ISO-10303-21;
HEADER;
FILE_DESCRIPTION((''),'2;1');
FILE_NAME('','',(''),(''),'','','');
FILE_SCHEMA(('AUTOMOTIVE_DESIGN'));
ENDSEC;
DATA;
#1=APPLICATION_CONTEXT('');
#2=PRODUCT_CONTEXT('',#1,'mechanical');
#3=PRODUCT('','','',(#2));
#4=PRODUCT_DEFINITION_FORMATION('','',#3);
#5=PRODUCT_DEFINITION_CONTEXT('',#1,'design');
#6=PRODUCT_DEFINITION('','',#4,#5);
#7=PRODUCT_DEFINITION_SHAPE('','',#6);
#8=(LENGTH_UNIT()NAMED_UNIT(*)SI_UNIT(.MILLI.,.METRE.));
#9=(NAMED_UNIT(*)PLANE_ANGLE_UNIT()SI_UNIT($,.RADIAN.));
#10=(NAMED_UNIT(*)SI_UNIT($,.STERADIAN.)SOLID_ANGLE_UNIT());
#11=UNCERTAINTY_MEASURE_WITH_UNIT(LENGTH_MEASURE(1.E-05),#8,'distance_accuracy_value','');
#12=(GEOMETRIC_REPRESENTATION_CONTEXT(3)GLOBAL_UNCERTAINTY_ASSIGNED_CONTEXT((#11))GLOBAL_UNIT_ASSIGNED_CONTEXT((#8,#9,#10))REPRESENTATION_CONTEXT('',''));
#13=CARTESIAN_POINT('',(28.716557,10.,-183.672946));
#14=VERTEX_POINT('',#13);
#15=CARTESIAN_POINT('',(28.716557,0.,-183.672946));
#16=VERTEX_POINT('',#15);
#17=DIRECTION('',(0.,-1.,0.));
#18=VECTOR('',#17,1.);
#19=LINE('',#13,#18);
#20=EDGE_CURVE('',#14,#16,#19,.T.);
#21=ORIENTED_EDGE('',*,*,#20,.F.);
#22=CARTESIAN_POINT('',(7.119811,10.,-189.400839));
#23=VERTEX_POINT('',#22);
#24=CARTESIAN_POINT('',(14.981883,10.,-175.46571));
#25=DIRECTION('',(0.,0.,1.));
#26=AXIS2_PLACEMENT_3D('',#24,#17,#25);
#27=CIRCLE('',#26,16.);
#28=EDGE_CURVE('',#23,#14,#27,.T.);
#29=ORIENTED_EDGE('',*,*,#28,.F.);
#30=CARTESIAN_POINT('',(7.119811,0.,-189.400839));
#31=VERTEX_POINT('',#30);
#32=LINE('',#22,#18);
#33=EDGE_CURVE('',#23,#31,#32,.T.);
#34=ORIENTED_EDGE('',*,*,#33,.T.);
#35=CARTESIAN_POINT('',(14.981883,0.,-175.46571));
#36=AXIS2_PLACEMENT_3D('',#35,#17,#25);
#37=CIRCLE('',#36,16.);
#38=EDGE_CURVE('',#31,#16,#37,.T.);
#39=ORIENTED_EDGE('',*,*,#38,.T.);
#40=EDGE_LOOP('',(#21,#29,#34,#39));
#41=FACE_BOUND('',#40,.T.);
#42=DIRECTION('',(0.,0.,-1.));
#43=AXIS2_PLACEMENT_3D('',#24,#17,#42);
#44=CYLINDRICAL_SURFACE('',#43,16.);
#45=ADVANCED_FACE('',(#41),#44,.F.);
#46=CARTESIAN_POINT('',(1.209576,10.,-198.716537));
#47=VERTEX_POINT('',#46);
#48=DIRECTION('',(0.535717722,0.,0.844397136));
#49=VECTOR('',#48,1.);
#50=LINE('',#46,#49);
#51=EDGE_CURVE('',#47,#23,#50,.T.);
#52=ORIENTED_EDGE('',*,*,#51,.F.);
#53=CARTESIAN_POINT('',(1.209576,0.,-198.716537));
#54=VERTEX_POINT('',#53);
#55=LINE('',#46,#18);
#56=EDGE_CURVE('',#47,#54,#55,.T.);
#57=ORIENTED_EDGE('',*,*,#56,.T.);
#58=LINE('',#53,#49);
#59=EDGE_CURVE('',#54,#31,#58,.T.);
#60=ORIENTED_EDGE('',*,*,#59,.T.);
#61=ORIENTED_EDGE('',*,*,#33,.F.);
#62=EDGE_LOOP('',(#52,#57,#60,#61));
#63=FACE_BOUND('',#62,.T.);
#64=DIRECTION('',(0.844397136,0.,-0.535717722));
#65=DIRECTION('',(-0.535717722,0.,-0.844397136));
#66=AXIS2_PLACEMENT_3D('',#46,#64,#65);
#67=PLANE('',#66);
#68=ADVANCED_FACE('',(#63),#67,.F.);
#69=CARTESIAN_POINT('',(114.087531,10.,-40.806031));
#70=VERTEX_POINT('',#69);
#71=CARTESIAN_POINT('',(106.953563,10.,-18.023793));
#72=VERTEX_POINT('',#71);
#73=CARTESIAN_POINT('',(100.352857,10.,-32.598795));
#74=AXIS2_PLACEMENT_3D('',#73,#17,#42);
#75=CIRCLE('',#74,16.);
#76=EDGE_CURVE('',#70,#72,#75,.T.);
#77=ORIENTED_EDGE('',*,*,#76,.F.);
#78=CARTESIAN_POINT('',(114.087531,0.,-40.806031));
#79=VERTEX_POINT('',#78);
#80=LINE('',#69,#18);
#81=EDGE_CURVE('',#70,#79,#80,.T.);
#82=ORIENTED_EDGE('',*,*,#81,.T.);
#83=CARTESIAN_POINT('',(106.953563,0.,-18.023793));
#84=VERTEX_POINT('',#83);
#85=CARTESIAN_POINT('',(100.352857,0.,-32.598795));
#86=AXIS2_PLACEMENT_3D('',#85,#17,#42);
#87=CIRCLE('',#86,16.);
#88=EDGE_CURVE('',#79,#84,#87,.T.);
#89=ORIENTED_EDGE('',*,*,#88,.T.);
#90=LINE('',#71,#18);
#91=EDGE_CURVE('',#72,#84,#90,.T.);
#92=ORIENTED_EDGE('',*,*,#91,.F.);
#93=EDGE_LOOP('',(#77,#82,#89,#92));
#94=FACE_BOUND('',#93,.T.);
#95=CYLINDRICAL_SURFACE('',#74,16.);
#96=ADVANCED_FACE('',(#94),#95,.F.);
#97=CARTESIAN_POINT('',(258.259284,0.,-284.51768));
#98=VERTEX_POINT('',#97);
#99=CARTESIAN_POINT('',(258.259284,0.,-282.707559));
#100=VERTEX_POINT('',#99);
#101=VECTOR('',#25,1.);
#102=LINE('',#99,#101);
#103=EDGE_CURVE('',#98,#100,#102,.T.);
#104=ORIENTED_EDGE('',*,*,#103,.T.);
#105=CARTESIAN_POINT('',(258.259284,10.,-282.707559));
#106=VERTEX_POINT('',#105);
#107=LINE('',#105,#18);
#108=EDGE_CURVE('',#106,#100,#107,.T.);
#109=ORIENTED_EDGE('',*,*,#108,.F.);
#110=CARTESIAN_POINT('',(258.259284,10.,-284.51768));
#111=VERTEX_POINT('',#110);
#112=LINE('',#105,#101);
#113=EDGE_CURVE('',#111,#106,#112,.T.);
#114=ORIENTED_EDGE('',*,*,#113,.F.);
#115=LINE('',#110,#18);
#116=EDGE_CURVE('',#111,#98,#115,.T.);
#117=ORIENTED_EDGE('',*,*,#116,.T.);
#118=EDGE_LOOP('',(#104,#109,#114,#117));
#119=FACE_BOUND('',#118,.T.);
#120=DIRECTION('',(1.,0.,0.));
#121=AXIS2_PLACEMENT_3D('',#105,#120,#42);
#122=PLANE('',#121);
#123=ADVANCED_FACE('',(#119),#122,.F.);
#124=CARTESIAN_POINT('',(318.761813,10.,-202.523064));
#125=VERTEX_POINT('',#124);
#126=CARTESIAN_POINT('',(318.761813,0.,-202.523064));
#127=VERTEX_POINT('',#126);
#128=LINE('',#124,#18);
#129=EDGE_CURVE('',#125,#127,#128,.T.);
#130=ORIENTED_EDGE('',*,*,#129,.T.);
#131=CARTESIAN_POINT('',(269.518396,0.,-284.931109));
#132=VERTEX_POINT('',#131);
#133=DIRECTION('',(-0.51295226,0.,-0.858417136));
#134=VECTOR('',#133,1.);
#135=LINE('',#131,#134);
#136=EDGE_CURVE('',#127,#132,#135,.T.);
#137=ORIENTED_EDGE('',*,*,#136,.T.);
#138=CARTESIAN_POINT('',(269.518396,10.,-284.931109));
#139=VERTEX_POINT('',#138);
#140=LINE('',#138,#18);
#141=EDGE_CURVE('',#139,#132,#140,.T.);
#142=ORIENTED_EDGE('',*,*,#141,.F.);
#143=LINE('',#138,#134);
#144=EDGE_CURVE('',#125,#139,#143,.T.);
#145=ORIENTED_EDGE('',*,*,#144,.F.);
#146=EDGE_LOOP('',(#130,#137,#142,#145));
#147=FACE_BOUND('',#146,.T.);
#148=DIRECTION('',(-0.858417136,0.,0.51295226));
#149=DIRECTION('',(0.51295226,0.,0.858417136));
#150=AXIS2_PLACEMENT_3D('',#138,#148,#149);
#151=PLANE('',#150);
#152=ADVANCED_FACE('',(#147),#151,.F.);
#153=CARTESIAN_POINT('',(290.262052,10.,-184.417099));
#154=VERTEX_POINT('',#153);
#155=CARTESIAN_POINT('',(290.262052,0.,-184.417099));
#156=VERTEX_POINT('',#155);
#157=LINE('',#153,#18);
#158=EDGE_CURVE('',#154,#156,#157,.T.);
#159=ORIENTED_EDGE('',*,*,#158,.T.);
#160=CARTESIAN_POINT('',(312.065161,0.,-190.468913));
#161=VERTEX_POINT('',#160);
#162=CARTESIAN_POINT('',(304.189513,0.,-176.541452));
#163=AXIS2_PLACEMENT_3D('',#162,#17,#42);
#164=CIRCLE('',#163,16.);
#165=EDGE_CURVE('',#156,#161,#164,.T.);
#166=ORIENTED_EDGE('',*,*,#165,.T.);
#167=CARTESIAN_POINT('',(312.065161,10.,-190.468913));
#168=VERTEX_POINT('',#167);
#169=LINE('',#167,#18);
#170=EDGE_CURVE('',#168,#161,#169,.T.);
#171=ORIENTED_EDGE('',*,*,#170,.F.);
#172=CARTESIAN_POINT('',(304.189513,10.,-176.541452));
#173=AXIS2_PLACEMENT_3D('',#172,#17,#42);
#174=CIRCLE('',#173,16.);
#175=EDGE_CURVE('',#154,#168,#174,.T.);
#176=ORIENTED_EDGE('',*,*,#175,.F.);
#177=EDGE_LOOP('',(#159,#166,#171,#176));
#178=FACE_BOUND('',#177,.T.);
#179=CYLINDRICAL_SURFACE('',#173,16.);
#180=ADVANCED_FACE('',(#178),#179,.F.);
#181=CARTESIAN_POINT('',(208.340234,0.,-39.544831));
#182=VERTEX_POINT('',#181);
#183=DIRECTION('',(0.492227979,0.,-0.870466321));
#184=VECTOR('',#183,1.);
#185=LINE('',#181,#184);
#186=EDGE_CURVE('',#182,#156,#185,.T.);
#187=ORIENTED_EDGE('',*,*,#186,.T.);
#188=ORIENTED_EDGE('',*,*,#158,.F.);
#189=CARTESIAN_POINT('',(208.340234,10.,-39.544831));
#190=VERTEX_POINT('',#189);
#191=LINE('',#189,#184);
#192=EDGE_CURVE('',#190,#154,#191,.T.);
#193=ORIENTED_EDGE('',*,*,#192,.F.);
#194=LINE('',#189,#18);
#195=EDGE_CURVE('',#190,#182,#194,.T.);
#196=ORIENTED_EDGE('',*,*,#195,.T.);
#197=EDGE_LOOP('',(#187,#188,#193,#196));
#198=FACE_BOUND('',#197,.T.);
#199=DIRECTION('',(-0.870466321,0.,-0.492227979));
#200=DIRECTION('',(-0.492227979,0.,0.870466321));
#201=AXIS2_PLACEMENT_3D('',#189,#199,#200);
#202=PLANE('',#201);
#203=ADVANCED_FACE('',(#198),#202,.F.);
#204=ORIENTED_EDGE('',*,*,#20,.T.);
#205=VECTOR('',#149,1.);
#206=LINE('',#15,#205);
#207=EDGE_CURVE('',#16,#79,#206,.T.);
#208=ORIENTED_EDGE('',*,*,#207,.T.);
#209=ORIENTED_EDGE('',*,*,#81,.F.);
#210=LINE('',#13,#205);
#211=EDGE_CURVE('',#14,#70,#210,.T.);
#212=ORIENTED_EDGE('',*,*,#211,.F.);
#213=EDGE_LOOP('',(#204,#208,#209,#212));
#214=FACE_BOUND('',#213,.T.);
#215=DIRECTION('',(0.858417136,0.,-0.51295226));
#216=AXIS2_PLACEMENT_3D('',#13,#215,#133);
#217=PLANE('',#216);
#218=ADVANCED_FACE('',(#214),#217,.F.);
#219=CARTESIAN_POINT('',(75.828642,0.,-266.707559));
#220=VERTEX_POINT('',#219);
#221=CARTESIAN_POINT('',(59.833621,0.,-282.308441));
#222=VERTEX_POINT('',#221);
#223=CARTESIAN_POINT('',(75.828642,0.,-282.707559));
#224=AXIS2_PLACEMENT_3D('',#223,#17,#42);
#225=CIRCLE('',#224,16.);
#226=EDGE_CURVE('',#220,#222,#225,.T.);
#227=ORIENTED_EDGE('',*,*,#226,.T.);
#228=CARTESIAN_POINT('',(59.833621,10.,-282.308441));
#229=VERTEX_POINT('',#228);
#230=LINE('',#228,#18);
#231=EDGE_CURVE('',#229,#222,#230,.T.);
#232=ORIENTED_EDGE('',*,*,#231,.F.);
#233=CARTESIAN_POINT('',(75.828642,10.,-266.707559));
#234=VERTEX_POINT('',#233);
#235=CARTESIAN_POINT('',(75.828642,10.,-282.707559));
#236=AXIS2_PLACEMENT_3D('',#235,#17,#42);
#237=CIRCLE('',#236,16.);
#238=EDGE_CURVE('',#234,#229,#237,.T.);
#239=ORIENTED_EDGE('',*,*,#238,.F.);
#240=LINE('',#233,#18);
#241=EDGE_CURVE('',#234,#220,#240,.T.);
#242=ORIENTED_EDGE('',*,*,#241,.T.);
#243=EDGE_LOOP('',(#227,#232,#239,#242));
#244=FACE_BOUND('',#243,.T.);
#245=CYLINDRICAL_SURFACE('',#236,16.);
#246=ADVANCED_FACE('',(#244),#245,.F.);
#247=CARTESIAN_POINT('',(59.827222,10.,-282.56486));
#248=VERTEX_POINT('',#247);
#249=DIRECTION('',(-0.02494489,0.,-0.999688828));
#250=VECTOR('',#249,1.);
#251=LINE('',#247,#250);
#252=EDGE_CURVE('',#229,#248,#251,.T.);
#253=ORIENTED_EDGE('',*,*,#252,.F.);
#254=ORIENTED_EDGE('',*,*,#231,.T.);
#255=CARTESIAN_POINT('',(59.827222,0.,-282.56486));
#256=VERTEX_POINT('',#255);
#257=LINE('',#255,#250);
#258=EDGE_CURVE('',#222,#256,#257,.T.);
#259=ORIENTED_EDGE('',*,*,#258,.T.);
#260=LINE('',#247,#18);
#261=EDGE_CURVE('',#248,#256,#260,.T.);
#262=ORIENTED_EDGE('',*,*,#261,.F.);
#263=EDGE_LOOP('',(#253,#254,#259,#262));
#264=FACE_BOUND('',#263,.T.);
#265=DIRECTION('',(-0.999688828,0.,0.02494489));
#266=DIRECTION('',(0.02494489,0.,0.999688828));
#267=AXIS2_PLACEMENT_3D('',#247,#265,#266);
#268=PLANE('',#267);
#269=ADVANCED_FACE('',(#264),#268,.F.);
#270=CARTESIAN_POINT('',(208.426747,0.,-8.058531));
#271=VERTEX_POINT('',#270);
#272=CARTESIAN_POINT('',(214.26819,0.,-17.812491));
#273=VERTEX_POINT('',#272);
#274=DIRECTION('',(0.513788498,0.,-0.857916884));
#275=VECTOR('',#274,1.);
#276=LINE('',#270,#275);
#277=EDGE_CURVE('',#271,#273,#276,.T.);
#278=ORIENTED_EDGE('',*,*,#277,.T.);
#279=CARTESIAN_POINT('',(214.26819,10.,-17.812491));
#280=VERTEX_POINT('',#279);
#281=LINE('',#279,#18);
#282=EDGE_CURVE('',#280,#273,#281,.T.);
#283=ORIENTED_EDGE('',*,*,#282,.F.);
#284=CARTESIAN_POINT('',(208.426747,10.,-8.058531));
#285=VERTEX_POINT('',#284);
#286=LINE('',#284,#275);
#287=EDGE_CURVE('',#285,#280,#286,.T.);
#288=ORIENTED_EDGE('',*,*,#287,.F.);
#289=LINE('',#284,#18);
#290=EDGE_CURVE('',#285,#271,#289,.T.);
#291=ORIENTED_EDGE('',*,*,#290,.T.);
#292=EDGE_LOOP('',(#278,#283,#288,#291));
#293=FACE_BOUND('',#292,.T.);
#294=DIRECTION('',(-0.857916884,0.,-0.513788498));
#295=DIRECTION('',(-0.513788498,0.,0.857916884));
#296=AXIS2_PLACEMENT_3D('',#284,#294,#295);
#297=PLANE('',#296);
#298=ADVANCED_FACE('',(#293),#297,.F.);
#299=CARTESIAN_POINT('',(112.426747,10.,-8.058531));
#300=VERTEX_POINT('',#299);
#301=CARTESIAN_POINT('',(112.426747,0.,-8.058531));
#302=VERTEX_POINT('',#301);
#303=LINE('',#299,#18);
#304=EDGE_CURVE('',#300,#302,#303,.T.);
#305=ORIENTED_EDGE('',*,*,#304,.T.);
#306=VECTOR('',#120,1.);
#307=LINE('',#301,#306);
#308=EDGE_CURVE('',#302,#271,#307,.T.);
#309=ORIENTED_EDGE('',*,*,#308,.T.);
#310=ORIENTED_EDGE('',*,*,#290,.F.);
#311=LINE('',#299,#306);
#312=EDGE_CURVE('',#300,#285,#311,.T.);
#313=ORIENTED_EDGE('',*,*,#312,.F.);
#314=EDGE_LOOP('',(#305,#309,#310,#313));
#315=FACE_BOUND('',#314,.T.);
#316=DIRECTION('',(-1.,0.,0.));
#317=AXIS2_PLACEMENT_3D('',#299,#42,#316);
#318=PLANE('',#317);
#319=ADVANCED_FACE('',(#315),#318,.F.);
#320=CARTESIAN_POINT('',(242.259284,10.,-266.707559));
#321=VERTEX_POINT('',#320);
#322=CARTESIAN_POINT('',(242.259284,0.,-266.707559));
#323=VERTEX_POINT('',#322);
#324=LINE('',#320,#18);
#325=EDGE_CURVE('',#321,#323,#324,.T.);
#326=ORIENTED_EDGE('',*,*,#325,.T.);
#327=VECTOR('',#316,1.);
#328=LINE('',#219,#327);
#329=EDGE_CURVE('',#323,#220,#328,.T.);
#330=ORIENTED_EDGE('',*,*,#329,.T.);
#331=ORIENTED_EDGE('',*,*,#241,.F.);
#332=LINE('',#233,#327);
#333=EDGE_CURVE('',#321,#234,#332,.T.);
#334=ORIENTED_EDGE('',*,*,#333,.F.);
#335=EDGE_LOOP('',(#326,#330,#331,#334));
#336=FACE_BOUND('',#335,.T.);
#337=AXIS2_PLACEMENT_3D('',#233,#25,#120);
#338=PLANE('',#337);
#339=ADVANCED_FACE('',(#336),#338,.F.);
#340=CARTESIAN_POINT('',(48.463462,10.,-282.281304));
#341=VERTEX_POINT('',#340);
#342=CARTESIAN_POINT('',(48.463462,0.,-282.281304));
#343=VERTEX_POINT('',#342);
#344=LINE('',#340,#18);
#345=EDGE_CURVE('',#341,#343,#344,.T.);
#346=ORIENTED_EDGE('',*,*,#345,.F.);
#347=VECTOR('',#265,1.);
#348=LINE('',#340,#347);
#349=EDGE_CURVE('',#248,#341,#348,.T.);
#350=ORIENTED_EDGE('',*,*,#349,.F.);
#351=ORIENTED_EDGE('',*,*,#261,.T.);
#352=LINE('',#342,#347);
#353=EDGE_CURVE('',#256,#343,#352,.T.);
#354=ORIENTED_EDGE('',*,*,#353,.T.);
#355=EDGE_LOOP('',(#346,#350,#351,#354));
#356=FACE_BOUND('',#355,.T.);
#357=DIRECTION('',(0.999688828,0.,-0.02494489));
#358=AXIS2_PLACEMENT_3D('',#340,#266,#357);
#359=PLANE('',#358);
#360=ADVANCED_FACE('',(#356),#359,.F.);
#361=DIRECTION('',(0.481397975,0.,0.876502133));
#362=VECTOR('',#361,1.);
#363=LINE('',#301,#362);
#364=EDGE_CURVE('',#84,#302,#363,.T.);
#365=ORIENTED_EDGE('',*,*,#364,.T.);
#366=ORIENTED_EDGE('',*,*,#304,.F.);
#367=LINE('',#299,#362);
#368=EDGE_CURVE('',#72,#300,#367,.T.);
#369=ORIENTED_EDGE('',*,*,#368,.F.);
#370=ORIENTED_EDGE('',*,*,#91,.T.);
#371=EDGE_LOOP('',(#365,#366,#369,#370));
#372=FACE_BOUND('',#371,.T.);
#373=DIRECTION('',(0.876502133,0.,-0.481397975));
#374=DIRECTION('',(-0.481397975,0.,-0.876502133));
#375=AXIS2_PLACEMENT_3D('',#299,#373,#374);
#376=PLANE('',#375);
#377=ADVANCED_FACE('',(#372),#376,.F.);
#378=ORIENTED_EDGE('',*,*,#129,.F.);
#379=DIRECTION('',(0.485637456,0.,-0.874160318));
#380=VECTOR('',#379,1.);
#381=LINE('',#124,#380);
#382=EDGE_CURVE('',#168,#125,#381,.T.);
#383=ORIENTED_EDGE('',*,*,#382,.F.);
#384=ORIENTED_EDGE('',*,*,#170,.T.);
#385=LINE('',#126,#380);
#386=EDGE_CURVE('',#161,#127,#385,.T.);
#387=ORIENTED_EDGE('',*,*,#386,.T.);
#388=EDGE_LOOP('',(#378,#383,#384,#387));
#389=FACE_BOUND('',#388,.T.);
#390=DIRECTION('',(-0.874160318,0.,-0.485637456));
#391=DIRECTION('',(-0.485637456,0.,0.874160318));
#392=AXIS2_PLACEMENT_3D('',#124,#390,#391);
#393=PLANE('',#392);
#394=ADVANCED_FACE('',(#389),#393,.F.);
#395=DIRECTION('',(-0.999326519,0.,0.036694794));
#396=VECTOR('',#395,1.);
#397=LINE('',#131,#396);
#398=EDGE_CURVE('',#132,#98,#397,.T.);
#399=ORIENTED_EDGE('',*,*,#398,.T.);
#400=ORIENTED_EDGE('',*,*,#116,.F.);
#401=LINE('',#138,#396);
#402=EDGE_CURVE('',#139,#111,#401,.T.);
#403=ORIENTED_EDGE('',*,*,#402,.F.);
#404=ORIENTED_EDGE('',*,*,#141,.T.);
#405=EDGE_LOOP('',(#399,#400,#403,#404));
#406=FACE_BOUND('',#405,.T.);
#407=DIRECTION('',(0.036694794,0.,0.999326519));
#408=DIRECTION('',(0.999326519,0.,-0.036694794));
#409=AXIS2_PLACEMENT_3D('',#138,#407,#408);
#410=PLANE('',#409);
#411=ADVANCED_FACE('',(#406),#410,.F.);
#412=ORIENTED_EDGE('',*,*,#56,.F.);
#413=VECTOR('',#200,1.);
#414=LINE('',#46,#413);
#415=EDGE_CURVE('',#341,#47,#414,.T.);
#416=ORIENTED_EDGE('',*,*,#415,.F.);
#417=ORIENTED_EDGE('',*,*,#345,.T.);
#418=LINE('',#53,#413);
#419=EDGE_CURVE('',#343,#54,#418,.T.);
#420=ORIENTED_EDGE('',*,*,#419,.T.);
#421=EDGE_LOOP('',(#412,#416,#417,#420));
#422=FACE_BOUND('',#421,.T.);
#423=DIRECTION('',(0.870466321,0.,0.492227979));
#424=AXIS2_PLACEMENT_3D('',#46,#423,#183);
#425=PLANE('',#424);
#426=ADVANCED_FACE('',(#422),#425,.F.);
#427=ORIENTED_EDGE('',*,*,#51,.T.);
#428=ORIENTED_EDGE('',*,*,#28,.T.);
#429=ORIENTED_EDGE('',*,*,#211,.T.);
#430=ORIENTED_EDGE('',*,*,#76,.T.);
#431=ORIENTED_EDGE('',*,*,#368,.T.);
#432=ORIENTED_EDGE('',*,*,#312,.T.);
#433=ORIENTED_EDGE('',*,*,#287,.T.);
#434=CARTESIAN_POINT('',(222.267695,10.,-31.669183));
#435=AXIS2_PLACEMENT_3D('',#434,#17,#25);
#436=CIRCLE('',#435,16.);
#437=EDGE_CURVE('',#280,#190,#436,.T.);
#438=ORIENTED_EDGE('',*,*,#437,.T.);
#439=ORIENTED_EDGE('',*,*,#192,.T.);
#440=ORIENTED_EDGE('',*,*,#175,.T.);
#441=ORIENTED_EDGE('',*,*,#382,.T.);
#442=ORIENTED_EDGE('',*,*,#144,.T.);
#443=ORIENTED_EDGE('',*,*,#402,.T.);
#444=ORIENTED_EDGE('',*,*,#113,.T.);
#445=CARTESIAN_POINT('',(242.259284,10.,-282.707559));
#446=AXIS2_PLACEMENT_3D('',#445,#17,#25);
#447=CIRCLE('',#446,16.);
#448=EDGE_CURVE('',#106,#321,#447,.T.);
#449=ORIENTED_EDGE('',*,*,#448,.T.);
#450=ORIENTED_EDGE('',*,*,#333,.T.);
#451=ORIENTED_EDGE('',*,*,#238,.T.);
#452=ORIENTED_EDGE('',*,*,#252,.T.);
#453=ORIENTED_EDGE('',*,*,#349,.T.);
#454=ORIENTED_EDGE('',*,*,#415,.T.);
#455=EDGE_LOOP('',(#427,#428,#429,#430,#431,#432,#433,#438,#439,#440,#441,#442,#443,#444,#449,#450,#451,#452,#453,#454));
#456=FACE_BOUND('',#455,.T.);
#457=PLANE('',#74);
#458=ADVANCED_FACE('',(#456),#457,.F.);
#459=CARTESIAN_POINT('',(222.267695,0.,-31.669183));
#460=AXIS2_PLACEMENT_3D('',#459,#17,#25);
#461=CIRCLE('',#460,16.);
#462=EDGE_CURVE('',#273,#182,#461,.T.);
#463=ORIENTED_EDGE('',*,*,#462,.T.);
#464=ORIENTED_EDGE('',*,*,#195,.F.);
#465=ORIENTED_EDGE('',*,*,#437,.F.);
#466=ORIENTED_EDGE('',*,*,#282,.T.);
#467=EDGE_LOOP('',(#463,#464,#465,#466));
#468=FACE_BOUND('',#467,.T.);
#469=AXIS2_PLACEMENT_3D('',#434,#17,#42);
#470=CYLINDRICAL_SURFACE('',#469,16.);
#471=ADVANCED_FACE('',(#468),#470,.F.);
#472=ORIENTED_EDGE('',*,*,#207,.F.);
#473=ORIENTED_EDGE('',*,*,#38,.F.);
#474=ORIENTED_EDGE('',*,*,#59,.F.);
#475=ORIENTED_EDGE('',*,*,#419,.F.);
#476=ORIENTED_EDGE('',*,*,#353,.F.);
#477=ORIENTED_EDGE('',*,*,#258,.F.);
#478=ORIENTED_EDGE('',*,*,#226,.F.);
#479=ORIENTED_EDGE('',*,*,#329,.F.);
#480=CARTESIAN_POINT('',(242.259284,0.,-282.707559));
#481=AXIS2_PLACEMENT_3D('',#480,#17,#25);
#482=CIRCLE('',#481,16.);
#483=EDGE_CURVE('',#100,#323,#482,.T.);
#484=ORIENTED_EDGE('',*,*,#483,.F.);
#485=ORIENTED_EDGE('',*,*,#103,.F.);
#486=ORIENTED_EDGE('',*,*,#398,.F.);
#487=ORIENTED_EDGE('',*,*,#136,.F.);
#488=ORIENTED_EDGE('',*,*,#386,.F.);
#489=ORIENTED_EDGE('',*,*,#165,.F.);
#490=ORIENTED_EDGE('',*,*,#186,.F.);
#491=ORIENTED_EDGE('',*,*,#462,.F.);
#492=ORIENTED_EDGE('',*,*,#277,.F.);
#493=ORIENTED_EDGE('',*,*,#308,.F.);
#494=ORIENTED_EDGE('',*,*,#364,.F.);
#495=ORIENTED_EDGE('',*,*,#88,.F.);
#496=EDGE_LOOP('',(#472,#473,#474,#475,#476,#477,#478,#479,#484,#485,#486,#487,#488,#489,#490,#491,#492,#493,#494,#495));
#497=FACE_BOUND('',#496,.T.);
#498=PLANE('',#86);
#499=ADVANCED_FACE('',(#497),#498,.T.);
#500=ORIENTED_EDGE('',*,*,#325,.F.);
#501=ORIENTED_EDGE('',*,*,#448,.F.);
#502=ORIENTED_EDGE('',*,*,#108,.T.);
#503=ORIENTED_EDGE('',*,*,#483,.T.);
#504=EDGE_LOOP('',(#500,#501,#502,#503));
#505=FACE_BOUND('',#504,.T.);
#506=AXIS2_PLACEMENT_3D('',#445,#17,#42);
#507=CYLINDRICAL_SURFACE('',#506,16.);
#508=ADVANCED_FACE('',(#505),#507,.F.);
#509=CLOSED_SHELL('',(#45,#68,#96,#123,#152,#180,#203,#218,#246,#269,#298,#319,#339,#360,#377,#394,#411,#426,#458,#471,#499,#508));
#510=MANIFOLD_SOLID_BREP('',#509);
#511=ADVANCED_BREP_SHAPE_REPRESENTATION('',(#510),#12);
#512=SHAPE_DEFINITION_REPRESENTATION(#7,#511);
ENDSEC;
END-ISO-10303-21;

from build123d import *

# Parameters (mm, degrees)
BOSS_EXTRU_1_DEPTH = 10


with BuildPart() as part:
    # Esquisse1 → Boss.-Extru.1 (new body)
    with BuildSketch(Plane(origin=(0, 0, 0), x_dir=(1, 0, 0), z_dir=(0, 1, 0))):
        with BuildLine():
            Line((112.426746773, 8.058530984), (208.426746773, 8.058530984))
            Line((208.426746773, 8.058530984), (214.268189678, 17.812491045))
            ThreePointArc((214.268189678, 17.812491045), (206.831645665, 27.458673867), (208.340233589, 39.544830921))
            Line((208.340233589, 39.544830921), (290.262052013, 184.417099293))
            ThreePointArc((290.262052013, 184.417099293), (299.910234809, 191.958577714), (312.065160821, 190.468912764))
            Line((312.065160821, 190.468912764), (318.76181291, 202.523064381))
            Line((318.76181291, 202.523064381), (269.51839591, 284.931109389))
            Line((269.51839591, 284.931109389), (258.259283583, 284.517680144))
            Line((258.259283583, 284.517680144), (258.259283583, 282.707559459))
            ThreePointArc((258.259283583, 282.707559459), (253.572992082, 271.39385096), (242.259283583, 266.707559459))
            Line((242.259283583, 266.707559459), (75.828641942, 266.707559459))
            ThreePointArc((75.828641942, 266.707559459), (64.656934191, 271.253610536), (59.833620697, 282.308441218))
            Line((59.833620697, 282.308441218), (59.827222367, 282.56486004))
            Line((59.827222367, 282.56486004), (48.463462476, 282.281304065))
            Line((48.463462476, 282.281304065), (1.209576466, 198.716537226))
            Line((1.209576466, 198.716537226), (7.119810651, 189.400838648))
            ThreePointArc((7.119810651, 189.400838648), (19.083596298, 190.931024082), (28.716557185, 183.672945892))
            Line((28.716557185, 183.672945892), (114.087531018, 40.806031234))
            ThreePointArc((114.087531018, 40.806031234), (115.621763688, 27.817531222), (106.953563168, 18.023793314))
            Line((106.953563168, 18.023793314), (112.426746773, 8.058530984))
        make_face()
    extrude(amount=BOSS_EXTRU_1_DEPTH)


solid = part.part
